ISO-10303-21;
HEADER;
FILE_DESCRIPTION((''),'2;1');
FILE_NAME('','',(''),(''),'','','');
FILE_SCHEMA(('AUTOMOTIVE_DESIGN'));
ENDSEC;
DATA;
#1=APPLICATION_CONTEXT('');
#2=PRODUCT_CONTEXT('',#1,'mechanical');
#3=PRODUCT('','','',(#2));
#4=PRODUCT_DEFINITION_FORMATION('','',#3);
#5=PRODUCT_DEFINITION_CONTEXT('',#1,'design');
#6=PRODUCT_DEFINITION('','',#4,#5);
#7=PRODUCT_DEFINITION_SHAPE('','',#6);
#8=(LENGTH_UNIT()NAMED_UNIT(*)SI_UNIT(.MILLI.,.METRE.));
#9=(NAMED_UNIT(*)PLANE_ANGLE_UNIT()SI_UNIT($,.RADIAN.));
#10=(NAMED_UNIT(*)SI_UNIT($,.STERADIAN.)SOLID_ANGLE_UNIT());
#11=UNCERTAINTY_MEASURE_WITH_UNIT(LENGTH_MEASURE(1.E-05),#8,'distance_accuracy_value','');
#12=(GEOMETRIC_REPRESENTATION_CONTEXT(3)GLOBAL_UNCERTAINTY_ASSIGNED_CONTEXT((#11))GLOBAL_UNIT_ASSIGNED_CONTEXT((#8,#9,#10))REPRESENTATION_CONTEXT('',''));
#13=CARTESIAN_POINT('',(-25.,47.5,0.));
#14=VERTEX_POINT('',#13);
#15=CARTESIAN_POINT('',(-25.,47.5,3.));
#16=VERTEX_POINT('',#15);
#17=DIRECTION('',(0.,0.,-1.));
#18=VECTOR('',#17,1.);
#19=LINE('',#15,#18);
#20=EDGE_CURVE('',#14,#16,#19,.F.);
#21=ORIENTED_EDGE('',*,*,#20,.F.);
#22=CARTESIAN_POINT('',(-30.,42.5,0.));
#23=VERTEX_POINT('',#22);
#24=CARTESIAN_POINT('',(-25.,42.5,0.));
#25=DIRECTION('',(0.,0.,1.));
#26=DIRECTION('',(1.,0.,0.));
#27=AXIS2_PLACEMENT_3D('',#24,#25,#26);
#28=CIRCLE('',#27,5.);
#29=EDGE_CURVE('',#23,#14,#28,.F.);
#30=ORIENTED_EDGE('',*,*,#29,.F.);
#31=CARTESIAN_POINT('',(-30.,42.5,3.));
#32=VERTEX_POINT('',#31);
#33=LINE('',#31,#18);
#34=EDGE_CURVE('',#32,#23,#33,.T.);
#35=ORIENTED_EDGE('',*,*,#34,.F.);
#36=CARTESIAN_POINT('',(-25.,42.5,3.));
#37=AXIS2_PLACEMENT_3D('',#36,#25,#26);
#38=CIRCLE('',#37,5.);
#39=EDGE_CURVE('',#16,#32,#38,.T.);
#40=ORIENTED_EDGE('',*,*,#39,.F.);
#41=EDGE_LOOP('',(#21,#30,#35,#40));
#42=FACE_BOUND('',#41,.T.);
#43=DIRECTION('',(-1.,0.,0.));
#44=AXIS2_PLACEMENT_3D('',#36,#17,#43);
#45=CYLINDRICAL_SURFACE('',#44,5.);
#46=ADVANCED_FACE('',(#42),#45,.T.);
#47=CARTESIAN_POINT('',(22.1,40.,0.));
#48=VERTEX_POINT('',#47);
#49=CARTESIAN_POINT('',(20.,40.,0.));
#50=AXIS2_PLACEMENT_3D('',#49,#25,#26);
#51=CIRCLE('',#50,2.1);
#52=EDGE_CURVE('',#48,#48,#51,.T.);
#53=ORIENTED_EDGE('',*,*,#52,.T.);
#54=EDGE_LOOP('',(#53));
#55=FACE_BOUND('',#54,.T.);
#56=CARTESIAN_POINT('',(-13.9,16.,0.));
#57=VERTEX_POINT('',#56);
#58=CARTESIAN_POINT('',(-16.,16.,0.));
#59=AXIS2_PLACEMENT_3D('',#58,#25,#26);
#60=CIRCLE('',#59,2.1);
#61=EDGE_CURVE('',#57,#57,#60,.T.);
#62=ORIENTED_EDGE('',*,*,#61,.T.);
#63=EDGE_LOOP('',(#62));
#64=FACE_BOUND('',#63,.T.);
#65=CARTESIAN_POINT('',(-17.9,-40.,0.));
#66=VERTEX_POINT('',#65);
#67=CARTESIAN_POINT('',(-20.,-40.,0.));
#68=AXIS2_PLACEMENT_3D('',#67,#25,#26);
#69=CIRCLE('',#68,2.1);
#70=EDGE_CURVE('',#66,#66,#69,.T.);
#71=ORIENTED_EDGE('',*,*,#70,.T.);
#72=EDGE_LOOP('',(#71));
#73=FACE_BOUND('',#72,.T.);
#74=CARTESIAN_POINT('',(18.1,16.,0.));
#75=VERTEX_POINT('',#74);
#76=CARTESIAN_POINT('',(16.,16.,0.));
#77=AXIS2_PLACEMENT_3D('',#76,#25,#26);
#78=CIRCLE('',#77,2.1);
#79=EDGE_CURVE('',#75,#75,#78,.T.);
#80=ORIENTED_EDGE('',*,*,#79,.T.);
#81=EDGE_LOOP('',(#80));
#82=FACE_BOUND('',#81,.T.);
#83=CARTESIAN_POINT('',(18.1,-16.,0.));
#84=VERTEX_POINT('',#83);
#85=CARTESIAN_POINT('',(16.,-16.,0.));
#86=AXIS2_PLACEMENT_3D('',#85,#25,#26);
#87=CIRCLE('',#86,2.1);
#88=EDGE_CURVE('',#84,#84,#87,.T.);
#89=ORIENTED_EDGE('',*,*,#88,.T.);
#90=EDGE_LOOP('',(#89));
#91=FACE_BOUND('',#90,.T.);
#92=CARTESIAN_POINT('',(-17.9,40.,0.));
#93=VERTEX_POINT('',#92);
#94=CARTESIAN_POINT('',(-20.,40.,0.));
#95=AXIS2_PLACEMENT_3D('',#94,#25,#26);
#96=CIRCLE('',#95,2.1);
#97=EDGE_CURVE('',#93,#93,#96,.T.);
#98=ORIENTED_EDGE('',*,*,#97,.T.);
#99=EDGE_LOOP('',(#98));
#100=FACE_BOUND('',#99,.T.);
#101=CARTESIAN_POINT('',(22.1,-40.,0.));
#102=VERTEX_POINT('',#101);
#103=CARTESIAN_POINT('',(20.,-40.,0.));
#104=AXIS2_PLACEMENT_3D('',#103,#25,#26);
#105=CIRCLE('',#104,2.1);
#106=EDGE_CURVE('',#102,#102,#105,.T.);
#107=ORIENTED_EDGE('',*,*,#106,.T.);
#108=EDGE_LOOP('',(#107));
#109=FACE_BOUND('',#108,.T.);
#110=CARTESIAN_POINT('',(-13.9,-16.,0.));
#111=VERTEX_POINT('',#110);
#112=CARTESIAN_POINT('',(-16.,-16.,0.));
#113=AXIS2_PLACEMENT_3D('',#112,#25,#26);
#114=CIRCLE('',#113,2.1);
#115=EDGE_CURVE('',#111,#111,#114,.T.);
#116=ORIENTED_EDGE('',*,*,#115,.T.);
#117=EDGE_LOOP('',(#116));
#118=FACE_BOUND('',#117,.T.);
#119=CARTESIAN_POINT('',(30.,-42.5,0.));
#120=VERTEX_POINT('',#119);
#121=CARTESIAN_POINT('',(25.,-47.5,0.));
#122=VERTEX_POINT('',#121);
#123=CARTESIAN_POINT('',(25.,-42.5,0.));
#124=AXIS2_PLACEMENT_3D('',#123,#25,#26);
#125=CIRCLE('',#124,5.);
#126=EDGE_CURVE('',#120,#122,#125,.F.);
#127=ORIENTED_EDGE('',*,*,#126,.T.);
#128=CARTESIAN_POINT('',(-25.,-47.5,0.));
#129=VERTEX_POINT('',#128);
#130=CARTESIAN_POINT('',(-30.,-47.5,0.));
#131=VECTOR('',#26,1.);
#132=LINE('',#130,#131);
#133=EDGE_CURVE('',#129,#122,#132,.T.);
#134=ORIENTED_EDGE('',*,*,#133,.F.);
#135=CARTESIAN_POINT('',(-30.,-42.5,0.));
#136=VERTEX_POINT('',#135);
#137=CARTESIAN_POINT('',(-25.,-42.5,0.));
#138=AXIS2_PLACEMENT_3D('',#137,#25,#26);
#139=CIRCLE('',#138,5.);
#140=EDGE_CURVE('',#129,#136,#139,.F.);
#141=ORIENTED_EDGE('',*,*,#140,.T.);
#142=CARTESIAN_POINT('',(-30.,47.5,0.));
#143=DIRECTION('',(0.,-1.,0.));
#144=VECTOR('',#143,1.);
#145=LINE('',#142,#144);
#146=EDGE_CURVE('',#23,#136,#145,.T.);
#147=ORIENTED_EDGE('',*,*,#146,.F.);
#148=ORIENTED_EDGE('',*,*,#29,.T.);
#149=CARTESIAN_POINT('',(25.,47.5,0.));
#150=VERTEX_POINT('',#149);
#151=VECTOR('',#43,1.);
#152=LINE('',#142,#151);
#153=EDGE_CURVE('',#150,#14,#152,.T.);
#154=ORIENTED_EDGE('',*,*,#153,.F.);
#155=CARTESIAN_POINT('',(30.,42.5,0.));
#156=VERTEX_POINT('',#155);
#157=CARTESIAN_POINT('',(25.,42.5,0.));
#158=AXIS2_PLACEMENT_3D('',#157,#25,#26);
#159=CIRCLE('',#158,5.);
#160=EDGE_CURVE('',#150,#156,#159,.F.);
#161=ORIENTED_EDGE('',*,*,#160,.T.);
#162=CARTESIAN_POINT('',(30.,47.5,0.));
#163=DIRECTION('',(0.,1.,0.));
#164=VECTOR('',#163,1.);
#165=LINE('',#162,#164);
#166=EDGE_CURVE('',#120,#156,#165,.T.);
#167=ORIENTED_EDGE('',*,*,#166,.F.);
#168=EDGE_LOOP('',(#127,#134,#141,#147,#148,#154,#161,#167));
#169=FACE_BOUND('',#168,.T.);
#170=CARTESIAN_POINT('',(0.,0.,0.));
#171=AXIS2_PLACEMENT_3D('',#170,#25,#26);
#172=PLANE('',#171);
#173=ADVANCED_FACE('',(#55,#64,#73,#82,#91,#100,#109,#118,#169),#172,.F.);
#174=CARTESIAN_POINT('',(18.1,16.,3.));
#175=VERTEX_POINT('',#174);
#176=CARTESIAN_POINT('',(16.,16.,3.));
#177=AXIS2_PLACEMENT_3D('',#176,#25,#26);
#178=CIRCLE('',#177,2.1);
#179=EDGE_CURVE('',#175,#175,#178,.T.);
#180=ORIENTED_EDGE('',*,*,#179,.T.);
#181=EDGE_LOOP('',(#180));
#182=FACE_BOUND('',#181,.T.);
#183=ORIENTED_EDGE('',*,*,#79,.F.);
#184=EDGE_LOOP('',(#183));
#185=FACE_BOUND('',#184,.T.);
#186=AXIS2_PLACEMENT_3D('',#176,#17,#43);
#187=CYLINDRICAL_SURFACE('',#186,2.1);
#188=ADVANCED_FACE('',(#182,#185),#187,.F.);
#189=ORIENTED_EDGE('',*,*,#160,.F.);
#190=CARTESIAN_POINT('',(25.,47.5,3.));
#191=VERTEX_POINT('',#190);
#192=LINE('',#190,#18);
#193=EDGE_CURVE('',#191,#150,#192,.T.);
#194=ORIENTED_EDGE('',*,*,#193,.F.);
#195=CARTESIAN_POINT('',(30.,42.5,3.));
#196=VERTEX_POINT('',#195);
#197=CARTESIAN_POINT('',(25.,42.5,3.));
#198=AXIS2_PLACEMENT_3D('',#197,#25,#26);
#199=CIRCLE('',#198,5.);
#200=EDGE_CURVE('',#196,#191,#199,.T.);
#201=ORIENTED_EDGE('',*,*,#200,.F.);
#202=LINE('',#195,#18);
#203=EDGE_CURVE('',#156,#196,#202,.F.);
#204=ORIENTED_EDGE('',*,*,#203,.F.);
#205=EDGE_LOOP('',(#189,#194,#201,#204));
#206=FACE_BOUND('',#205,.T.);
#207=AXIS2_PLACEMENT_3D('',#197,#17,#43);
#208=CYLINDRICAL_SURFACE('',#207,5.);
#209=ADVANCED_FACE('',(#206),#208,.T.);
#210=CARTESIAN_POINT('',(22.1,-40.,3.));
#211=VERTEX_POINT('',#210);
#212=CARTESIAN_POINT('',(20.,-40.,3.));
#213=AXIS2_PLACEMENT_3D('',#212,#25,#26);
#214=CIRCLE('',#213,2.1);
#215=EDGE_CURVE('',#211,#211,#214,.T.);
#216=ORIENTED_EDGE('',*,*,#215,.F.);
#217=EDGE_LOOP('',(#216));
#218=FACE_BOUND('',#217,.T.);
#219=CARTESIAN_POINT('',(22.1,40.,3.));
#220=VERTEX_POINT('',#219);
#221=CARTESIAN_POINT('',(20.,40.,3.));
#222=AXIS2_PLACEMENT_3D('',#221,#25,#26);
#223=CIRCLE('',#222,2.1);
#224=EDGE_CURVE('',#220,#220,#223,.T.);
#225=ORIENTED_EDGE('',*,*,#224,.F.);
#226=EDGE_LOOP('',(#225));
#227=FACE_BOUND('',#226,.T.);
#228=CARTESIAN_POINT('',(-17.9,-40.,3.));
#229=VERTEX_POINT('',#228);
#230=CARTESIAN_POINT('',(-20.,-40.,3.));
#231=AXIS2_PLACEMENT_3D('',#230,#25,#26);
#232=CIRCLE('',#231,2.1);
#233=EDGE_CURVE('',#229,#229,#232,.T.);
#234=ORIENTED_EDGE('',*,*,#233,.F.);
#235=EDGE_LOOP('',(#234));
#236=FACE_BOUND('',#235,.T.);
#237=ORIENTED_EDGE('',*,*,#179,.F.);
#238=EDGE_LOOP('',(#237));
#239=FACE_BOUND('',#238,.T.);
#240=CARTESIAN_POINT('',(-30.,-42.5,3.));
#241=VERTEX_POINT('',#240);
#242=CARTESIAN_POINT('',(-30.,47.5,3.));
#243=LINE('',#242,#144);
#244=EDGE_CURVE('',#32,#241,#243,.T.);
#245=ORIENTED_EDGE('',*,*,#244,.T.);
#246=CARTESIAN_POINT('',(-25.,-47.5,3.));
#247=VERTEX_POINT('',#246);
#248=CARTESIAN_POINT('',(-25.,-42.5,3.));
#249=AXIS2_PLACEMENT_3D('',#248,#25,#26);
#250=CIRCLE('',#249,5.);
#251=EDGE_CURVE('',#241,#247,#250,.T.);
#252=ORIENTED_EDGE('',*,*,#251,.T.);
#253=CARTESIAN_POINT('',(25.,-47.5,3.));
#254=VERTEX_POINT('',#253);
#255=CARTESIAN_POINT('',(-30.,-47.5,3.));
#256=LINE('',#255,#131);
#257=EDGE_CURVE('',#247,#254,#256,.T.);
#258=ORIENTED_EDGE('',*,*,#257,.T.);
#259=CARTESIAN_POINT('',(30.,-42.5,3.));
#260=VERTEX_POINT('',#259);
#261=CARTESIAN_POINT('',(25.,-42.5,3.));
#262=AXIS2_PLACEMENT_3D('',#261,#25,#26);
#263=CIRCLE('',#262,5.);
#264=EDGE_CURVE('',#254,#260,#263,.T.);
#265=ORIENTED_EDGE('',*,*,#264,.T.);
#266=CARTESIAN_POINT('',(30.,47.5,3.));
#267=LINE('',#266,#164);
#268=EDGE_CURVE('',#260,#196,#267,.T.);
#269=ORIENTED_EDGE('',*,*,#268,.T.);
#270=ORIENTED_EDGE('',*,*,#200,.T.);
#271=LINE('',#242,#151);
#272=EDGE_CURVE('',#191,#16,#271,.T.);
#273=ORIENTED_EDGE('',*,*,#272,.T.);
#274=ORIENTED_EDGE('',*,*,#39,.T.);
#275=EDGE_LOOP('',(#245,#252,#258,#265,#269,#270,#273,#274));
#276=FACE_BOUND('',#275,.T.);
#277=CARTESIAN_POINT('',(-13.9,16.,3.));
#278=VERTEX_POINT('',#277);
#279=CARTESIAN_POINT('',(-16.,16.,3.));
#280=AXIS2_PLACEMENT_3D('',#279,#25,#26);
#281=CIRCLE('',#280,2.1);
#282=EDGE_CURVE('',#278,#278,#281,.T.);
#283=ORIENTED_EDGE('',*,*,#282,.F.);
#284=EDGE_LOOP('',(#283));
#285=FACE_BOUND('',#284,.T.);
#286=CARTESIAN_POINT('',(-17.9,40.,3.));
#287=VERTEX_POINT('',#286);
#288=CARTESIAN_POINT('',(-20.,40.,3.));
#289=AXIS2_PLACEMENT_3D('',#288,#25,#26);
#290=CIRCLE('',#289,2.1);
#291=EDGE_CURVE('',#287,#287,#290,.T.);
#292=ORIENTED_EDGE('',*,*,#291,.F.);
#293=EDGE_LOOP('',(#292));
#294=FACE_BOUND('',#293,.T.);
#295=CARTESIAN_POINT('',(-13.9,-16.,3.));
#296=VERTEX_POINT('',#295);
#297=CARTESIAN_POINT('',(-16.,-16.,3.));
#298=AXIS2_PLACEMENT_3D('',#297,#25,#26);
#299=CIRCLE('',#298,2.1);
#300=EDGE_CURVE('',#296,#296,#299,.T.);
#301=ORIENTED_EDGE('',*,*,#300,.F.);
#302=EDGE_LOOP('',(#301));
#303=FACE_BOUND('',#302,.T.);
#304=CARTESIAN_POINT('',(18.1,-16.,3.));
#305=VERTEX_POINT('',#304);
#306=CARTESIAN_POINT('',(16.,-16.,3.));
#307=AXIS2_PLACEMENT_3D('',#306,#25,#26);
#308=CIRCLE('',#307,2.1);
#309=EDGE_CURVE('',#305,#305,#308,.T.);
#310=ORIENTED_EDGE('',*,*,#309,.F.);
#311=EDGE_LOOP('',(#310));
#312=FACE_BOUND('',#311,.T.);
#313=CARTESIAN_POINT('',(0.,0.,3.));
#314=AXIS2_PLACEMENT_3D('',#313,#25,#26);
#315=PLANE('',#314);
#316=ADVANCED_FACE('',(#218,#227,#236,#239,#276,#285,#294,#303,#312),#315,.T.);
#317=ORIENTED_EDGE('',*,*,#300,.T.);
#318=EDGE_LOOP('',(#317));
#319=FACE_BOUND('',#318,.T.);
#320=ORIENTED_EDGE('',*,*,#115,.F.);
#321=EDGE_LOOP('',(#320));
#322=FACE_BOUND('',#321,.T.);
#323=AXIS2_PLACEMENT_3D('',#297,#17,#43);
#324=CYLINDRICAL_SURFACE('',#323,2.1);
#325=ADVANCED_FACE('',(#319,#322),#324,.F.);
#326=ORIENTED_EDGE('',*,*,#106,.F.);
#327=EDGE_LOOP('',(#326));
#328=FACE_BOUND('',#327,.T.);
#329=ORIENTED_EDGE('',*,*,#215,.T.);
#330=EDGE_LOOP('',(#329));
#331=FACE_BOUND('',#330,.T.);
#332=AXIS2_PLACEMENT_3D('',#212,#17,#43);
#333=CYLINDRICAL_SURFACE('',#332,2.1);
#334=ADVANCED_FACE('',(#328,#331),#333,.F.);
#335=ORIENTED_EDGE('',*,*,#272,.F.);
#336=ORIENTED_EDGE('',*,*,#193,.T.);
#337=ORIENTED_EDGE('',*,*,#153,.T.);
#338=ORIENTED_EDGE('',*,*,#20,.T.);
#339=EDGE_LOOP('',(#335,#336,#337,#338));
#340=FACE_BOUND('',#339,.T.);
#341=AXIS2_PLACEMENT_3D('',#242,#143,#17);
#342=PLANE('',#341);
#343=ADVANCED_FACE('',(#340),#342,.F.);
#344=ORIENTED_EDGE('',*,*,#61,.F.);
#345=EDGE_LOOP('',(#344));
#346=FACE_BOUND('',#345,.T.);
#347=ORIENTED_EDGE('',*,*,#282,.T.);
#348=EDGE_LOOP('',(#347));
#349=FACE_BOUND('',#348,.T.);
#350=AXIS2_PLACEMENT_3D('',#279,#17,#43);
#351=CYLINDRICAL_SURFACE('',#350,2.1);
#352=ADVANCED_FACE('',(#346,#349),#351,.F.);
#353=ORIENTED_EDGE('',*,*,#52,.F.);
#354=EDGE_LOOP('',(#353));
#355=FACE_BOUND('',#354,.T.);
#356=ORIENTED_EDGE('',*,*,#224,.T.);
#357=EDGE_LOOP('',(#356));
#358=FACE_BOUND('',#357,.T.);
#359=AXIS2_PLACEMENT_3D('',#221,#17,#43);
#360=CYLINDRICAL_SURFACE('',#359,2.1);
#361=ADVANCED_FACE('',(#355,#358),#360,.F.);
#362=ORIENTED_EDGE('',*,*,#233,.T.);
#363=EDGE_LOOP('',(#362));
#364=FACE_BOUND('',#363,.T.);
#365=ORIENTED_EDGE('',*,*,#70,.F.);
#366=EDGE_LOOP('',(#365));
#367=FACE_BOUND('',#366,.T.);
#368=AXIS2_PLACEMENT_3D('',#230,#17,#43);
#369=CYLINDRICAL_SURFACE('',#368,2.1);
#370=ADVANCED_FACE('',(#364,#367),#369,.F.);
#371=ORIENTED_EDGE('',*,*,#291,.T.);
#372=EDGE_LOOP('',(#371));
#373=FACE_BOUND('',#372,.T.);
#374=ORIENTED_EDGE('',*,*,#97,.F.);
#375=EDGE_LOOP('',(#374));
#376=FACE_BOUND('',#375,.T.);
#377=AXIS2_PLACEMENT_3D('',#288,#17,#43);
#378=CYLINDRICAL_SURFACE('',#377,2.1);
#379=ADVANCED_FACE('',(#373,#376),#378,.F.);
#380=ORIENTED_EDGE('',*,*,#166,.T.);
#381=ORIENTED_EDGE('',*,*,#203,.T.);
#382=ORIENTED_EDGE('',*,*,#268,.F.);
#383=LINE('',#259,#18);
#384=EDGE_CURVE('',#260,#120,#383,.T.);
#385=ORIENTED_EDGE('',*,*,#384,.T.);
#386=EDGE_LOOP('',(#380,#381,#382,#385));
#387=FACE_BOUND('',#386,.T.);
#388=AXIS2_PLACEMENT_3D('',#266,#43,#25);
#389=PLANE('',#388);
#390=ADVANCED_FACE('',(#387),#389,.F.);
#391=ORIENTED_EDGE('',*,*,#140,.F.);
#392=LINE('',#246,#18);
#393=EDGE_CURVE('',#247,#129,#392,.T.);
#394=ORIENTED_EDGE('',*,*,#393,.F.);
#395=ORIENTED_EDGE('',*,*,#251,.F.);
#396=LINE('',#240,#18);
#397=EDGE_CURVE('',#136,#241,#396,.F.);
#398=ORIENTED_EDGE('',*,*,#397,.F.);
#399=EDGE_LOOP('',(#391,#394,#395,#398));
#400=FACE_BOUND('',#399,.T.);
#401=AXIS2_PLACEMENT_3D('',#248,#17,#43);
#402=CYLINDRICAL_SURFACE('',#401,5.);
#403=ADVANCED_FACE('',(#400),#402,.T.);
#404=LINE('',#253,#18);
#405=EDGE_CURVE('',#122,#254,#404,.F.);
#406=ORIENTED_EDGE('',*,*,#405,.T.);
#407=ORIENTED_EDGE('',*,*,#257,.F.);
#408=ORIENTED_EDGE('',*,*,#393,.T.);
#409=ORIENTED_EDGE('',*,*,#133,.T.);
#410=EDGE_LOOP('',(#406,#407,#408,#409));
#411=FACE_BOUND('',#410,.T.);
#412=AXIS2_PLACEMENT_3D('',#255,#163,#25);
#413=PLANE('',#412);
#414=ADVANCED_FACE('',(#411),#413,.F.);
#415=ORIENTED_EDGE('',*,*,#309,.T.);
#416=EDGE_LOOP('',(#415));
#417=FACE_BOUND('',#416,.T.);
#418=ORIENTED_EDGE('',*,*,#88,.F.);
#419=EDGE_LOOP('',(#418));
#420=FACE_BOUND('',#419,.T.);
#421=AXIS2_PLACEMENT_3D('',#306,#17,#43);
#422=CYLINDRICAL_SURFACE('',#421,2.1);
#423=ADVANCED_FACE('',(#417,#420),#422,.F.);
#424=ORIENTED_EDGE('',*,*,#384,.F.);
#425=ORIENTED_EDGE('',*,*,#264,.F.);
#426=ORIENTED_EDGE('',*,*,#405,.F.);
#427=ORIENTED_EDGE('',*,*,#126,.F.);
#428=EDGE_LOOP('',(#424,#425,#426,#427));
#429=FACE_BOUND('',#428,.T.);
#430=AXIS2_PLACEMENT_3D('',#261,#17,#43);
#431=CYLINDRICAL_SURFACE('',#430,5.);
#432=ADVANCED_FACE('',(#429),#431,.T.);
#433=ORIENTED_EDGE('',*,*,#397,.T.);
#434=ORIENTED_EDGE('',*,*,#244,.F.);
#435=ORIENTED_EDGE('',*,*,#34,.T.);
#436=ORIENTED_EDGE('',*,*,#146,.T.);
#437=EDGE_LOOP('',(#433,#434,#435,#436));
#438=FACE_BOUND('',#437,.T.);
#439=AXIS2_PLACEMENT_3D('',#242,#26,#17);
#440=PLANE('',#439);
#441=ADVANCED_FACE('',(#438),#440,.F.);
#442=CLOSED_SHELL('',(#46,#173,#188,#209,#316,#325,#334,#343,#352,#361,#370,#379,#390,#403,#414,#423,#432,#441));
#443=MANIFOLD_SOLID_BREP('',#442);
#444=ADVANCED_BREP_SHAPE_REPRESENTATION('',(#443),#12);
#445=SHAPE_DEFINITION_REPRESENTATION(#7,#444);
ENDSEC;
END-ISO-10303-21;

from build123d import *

# Parameters (mm, degrees)
SKETCH_1_W      = 60
SKETCH_1_H      = 95
SKETCH_1_R      = 2.1
EXTRUDE_1_DEPTH = 3
FILLET_1_R      = 5


with BuildPart() as part:
    # ｽｹｯﾁ1 → ﾎﾞｽ - 押し出し1 (new body)
    with BuildSketch(Plane.XY):
        Rectangle(SKETCH_1_W, SKETCH_1_H)
        with Locations((-16, 16)):
            Circle(SKETCH_1_R, mode=Mode.SUBTRACT)
        with Locations((16, 16)):
            Circle(SKETCH_1_R, mode=Mode.SUBTRACT)
        with Locations((-16, -16)):
            Circle(SKETCH_1_R, mode=Mode.SUBTRACT)
        with Locations((16, -16)):
            Circle(SKETCH_1_R, mode=Mode.SUBTRACT)
        with Locations((-20, 40)):
            Circle(SKETCH_1_R, mode=Mode.SUBTRACT)
        with Locations((-20, -40)):
            Circle(SKETCH_1_R, mode=Mode.SUBTRACT)
        with Locations((20, 40)):
            Circle(SKETCH_1_R, mode=Mode.SUBTRACT)
        with Locations((20, -40)):
            Circle(SKETCH_1_R, mode=Mode.SUBTRACT)
    extrude(amount=EXTRUDE_1_DEPTH)

    # ﾌｨﾚｯﾄ1
    fillet_1_edges = [part.edges().sort_by_distance(p)[0] for p in [
        (30, -47.5, 1.5),
        (-30, -47.5, 1.5),
        (-30, 47.5, 1.5),
        (30, 47.5, 1.5),
    ]]
    fillet(fillet_1_edges, radius=FILLET_1_R)


solid = part.part
